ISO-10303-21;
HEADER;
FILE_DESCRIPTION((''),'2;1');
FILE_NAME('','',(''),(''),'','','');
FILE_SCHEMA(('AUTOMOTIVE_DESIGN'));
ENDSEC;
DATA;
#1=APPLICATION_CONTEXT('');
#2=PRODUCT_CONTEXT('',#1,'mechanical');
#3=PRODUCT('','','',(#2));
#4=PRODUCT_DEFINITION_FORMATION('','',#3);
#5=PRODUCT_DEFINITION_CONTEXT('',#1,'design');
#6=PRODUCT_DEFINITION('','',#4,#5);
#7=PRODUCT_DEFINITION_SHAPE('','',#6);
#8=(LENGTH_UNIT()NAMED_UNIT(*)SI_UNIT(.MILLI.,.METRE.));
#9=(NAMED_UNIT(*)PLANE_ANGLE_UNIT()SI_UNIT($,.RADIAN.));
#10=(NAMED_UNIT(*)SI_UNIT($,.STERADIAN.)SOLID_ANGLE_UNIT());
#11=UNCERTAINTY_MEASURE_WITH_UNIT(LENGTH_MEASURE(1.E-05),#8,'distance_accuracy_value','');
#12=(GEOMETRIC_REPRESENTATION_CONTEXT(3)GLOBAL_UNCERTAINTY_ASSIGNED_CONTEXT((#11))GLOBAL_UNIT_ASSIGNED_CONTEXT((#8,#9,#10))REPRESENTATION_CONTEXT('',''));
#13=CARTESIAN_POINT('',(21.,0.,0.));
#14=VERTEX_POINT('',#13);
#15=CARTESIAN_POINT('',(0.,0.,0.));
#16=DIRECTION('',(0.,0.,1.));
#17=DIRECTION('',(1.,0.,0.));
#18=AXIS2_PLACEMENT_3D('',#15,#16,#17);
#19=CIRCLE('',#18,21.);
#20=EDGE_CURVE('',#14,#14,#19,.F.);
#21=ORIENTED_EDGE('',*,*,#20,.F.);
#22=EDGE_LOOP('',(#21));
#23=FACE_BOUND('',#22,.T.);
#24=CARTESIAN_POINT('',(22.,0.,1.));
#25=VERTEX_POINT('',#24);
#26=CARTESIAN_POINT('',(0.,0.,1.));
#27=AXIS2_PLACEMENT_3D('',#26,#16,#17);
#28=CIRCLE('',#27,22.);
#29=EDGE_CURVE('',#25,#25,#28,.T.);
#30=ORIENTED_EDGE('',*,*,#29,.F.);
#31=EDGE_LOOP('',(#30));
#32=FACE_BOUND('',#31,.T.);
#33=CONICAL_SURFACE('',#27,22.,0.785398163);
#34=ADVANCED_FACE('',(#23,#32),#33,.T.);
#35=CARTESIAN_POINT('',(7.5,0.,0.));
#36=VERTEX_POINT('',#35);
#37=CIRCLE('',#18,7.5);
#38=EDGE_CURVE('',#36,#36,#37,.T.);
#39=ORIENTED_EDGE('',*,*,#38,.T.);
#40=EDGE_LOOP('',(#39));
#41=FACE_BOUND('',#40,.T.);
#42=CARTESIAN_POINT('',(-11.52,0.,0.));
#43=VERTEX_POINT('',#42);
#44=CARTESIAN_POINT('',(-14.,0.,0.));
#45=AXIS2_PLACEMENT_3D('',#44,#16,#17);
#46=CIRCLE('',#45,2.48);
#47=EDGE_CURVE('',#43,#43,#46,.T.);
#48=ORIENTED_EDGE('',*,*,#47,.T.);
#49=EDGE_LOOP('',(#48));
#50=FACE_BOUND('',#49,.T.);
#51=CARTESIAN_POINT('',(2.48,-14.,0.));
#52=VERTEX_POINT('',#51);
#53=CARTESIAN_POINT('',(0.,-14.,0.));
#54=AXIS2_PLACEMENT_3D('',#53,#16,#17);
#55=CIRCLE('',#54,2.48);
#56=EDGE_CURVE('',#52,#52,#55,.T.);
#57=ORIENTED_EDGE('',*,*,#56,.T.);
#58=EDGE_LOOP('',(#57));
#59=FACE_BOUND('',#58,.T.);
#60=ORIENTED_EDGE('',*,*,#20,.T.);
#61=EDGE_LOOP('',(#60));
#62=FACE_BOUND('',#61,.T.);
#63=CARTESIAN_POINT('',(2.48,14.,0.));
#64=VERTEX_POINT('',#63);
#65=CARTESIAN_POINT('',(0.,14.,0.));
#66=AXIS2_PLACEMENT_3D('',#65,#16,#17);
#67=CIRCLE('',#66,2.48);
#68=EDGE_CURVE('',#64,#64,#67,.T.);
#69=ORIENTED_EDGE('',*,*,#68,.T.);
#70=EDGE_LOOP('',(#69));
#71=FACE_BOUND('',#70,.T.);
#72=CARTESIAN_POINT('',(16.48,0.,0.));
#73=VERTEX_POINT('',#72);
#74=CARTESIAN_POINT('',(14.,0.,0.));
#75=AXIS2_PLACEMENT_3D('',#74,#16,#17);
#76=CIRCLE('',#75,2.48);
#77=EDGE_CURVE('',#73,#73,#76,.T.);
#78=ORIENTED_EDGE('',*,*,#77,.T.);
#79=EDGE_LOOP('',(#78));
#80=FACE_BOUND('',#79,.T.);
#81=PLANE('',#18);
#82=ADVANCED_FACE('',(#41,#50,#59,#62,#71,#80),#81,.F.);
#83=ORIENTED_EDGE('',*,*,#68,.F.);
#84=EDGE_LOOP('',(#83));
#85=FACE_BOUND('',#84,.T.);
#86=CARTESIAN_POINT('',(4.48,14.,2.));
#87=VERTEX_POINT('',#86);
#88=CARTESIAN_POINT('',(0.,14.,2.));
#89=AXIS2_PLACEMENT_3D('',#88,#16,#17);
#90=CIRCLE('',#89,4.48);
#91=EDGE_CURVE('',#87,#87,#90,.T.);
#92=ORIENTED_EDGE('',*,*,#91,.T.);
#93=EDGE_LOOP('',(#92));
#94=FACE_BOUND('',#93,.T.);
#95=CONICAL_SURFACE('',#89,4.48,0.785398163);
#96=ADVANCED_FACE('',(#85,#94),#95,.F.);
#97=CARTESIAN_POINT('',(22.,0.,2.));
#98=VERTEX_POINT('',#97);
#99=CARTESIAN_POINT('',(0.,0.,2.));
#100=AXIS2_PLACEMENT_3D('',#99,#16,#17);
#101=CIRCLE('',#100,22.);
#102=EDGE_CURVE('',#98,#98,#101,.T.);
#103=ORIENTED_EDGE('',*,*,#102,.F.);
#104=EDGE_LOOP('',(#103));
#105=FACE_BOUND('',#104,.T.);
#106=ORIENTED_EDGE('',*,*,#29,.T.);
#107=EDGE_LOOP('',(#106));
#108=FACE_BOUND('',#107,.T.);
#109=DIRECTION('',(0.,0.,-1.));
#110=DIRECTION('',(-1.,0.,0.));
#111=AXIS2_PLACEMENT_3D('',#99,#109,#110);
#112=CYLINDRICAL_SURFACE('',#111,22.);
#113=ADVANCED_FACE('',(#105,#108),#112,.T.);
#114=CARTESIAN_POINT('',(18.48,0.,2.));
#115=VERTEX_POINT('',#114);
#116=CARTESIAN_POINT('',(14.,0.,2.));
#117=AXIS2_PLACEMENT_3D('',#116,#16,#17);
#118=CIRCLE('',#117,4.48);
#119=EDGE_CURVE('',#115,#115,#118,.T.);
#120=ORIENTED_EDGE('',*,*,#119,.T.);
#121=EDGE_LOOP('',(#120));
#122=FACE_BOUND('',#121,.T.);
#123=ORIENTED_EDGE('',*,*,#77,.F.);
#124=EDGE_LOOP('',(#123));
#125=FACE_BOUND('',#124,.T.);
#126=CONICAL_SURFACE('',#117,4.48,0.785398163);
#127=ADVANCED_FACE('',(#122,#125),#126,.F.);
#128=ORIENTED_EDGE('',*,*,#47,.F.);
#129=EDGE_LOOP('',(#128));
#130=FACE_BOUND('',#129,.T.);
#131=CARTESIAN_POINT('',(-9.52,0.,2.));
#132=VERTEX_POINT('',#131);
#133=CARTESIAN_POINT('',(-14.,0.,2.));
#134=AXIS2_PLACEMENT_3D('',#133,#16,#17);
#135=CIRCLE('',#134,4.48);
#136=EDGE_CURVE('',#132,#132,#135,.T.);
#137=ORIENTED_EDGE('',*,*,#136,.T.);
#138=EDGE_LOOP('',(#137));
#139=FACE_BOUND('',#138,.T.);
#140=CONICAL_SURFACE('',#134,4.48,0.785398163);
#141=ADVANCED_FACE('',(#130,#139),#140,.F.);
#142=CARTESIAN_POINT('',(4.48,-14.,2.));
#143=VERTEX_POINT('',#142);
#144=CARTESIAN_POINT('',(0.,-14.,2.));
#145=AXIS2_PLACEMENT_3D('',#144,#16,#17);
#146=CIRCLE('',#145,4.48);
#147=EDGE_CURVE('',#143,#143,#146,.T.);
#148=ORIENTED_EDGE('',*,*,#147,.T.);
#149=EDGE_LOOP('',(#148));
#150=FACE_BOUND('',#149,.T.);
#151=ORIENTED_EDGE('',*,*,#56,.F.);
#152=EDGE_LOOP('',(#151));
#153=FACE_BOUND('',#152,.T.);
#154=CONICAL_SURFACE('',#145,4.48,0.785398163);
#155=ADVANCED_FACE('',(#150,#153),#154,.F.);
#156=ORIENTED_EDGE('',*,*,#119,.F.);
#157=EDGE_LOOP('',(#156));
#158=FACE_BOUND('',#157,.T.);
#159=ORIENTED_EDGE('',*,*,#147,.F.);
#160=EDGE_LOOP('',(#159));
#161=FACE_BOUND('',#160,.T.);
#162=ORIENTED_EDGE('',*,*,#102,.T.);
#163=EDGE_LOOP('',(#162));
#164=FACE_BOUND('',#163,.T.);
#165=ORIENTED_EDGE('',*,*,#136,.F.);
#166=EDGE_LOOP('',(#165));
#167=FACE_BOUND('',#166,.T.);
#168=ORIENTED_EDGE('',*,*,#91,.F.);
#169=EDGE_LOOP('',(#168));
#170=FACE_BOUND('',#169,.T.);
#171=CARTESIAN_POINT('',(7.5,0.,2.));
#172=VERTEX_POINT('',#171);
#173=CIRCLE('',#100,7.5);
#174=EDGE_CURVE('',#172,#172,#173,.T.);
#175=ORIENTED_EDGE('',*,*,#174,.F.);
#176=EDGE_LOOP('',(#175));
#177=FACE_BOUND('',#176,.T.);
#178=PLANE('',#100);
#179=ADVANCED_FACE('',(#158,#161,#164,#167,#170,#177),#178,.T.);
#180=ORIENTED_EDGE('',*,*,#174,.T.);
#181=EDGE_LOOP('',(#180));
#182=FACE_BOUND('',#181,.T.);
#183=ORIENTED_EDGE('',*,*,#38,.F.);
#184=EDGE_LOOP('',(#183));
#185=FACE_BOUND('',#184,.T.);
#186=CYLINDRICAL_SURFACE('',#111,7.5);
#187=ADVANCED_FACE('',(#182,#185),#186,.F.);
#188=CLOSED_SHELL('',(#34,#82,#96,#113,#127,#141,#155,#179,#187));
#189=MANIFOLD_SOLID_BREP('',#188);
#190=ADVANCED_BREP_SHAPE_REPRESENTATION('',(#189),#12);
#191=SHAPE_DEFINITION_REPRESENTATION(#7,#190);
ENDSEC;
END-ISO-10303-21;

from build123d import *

# Parameters (mm, degrees)
SKETCH_1_R                  = 22
SKETCH_1_R_2                = 7.5
EXTRUDE_1_DEPTH             = 2
CHAMFER_1_SIZE              = 1
HOLE_WIZARD_M4_1_AT_2_COUNT = 2
HOLE_WIZARD_M4_1_AT_2_PITCH = 28
HOLE_WIZARD_M4_1_AT_3_COUNT = 2
HOLE_WIZARD_M4_1_AT_3_PITCH = 19.798989873
HOLE_WIZARD_M4_1_AT_4_COUNT = 2
HOLE_WIZARD_M4_1_AT_4_PITCH = 19.798989873


with BuildPart() as part:
    # 草图1 → 凸台-拉伸1 (new body)
    with BuildSketch(Plane.XY):
        Circle(SKETCH_1_R)
        Circle(SKETCH_1_R_2, mode=Mode.SUBTRACT)
    extrude(amount=EXTRUDE_1_DEPTH)

    # 倒角1
    chamfer_1_edges = [part.edges().sort_by_distance(p)[0] for p in [
        (-22, 0, 0),
    ]]
    chamfer(chamfer_1_edges, length=CHAMFER_1_SIZE)

    # 草图2 → M4 六角凹锥坑螺钉的锥形沉头孔1 (revolve, cut)
    with BuildSketch(Plane(origin=(0, 14, 2), x_dir=(0, -1, 0), z_dir=(1, 0, 0))):
        Polygon((0, 0), (0, 2), (2.25, 2), (2.25, 2.23), (4.48, 0), align=None)
    hole_wizard_m4_1 = revolve(axis=Axis((0, 14, 8.35), (0, 0, -1)), mode=Mode.SUBTRACT)

    # M4 六角凹锥坑螺钉的锥形沉头孔1 at 2: M4 六角凹锥坑螺钉的锥形沉头孔1 ×2
    with Locations(*[(0, -i * HOLE_WIZARD_M4_1_AT_2_PITCH, 0) for i in range(1, HOLE_WIZARD_M4_1_AT_2_COUNT)]):
        add(hole_wizard_m4_1, mode=Mode.SUBTRACT)

    # M4 六角凹锥坑螺钉的锥形沉头孔1 at 3: M4 六角凹锥坑螺钉的锥形沉头孔1 ×2
    with Locations(*[Vector(-0.7071067811865476, -0.7071067811865476, 0) * (i * HOLE_WIZARD_M4_1_AT_3_PITCH) for i in range(1, HOLE_WIZARD_M4_1_AT_3_COUNT)]):
        add(hole_wizard_m4_1, mode=Mode.SUBTRACT)

    # M4 六角凹锥坑螺钉的锥形沉头孔1 at 4: M4 六角凹锥坑螺钉的锥形沉头孔1 ×2
    with Locations(*[Vector(0.7071067811865475, -0.7071067811865476, 0) * (i * HOLE_WIZARD_M4_1_AT_4_PITCH) for i in range(1, HOLE_WIZARD_M4_1_AT_4_COUNT)]):
        add(hole_wizard_m4_1, mode=Mode.SUBTRACT)


solid = part.part
